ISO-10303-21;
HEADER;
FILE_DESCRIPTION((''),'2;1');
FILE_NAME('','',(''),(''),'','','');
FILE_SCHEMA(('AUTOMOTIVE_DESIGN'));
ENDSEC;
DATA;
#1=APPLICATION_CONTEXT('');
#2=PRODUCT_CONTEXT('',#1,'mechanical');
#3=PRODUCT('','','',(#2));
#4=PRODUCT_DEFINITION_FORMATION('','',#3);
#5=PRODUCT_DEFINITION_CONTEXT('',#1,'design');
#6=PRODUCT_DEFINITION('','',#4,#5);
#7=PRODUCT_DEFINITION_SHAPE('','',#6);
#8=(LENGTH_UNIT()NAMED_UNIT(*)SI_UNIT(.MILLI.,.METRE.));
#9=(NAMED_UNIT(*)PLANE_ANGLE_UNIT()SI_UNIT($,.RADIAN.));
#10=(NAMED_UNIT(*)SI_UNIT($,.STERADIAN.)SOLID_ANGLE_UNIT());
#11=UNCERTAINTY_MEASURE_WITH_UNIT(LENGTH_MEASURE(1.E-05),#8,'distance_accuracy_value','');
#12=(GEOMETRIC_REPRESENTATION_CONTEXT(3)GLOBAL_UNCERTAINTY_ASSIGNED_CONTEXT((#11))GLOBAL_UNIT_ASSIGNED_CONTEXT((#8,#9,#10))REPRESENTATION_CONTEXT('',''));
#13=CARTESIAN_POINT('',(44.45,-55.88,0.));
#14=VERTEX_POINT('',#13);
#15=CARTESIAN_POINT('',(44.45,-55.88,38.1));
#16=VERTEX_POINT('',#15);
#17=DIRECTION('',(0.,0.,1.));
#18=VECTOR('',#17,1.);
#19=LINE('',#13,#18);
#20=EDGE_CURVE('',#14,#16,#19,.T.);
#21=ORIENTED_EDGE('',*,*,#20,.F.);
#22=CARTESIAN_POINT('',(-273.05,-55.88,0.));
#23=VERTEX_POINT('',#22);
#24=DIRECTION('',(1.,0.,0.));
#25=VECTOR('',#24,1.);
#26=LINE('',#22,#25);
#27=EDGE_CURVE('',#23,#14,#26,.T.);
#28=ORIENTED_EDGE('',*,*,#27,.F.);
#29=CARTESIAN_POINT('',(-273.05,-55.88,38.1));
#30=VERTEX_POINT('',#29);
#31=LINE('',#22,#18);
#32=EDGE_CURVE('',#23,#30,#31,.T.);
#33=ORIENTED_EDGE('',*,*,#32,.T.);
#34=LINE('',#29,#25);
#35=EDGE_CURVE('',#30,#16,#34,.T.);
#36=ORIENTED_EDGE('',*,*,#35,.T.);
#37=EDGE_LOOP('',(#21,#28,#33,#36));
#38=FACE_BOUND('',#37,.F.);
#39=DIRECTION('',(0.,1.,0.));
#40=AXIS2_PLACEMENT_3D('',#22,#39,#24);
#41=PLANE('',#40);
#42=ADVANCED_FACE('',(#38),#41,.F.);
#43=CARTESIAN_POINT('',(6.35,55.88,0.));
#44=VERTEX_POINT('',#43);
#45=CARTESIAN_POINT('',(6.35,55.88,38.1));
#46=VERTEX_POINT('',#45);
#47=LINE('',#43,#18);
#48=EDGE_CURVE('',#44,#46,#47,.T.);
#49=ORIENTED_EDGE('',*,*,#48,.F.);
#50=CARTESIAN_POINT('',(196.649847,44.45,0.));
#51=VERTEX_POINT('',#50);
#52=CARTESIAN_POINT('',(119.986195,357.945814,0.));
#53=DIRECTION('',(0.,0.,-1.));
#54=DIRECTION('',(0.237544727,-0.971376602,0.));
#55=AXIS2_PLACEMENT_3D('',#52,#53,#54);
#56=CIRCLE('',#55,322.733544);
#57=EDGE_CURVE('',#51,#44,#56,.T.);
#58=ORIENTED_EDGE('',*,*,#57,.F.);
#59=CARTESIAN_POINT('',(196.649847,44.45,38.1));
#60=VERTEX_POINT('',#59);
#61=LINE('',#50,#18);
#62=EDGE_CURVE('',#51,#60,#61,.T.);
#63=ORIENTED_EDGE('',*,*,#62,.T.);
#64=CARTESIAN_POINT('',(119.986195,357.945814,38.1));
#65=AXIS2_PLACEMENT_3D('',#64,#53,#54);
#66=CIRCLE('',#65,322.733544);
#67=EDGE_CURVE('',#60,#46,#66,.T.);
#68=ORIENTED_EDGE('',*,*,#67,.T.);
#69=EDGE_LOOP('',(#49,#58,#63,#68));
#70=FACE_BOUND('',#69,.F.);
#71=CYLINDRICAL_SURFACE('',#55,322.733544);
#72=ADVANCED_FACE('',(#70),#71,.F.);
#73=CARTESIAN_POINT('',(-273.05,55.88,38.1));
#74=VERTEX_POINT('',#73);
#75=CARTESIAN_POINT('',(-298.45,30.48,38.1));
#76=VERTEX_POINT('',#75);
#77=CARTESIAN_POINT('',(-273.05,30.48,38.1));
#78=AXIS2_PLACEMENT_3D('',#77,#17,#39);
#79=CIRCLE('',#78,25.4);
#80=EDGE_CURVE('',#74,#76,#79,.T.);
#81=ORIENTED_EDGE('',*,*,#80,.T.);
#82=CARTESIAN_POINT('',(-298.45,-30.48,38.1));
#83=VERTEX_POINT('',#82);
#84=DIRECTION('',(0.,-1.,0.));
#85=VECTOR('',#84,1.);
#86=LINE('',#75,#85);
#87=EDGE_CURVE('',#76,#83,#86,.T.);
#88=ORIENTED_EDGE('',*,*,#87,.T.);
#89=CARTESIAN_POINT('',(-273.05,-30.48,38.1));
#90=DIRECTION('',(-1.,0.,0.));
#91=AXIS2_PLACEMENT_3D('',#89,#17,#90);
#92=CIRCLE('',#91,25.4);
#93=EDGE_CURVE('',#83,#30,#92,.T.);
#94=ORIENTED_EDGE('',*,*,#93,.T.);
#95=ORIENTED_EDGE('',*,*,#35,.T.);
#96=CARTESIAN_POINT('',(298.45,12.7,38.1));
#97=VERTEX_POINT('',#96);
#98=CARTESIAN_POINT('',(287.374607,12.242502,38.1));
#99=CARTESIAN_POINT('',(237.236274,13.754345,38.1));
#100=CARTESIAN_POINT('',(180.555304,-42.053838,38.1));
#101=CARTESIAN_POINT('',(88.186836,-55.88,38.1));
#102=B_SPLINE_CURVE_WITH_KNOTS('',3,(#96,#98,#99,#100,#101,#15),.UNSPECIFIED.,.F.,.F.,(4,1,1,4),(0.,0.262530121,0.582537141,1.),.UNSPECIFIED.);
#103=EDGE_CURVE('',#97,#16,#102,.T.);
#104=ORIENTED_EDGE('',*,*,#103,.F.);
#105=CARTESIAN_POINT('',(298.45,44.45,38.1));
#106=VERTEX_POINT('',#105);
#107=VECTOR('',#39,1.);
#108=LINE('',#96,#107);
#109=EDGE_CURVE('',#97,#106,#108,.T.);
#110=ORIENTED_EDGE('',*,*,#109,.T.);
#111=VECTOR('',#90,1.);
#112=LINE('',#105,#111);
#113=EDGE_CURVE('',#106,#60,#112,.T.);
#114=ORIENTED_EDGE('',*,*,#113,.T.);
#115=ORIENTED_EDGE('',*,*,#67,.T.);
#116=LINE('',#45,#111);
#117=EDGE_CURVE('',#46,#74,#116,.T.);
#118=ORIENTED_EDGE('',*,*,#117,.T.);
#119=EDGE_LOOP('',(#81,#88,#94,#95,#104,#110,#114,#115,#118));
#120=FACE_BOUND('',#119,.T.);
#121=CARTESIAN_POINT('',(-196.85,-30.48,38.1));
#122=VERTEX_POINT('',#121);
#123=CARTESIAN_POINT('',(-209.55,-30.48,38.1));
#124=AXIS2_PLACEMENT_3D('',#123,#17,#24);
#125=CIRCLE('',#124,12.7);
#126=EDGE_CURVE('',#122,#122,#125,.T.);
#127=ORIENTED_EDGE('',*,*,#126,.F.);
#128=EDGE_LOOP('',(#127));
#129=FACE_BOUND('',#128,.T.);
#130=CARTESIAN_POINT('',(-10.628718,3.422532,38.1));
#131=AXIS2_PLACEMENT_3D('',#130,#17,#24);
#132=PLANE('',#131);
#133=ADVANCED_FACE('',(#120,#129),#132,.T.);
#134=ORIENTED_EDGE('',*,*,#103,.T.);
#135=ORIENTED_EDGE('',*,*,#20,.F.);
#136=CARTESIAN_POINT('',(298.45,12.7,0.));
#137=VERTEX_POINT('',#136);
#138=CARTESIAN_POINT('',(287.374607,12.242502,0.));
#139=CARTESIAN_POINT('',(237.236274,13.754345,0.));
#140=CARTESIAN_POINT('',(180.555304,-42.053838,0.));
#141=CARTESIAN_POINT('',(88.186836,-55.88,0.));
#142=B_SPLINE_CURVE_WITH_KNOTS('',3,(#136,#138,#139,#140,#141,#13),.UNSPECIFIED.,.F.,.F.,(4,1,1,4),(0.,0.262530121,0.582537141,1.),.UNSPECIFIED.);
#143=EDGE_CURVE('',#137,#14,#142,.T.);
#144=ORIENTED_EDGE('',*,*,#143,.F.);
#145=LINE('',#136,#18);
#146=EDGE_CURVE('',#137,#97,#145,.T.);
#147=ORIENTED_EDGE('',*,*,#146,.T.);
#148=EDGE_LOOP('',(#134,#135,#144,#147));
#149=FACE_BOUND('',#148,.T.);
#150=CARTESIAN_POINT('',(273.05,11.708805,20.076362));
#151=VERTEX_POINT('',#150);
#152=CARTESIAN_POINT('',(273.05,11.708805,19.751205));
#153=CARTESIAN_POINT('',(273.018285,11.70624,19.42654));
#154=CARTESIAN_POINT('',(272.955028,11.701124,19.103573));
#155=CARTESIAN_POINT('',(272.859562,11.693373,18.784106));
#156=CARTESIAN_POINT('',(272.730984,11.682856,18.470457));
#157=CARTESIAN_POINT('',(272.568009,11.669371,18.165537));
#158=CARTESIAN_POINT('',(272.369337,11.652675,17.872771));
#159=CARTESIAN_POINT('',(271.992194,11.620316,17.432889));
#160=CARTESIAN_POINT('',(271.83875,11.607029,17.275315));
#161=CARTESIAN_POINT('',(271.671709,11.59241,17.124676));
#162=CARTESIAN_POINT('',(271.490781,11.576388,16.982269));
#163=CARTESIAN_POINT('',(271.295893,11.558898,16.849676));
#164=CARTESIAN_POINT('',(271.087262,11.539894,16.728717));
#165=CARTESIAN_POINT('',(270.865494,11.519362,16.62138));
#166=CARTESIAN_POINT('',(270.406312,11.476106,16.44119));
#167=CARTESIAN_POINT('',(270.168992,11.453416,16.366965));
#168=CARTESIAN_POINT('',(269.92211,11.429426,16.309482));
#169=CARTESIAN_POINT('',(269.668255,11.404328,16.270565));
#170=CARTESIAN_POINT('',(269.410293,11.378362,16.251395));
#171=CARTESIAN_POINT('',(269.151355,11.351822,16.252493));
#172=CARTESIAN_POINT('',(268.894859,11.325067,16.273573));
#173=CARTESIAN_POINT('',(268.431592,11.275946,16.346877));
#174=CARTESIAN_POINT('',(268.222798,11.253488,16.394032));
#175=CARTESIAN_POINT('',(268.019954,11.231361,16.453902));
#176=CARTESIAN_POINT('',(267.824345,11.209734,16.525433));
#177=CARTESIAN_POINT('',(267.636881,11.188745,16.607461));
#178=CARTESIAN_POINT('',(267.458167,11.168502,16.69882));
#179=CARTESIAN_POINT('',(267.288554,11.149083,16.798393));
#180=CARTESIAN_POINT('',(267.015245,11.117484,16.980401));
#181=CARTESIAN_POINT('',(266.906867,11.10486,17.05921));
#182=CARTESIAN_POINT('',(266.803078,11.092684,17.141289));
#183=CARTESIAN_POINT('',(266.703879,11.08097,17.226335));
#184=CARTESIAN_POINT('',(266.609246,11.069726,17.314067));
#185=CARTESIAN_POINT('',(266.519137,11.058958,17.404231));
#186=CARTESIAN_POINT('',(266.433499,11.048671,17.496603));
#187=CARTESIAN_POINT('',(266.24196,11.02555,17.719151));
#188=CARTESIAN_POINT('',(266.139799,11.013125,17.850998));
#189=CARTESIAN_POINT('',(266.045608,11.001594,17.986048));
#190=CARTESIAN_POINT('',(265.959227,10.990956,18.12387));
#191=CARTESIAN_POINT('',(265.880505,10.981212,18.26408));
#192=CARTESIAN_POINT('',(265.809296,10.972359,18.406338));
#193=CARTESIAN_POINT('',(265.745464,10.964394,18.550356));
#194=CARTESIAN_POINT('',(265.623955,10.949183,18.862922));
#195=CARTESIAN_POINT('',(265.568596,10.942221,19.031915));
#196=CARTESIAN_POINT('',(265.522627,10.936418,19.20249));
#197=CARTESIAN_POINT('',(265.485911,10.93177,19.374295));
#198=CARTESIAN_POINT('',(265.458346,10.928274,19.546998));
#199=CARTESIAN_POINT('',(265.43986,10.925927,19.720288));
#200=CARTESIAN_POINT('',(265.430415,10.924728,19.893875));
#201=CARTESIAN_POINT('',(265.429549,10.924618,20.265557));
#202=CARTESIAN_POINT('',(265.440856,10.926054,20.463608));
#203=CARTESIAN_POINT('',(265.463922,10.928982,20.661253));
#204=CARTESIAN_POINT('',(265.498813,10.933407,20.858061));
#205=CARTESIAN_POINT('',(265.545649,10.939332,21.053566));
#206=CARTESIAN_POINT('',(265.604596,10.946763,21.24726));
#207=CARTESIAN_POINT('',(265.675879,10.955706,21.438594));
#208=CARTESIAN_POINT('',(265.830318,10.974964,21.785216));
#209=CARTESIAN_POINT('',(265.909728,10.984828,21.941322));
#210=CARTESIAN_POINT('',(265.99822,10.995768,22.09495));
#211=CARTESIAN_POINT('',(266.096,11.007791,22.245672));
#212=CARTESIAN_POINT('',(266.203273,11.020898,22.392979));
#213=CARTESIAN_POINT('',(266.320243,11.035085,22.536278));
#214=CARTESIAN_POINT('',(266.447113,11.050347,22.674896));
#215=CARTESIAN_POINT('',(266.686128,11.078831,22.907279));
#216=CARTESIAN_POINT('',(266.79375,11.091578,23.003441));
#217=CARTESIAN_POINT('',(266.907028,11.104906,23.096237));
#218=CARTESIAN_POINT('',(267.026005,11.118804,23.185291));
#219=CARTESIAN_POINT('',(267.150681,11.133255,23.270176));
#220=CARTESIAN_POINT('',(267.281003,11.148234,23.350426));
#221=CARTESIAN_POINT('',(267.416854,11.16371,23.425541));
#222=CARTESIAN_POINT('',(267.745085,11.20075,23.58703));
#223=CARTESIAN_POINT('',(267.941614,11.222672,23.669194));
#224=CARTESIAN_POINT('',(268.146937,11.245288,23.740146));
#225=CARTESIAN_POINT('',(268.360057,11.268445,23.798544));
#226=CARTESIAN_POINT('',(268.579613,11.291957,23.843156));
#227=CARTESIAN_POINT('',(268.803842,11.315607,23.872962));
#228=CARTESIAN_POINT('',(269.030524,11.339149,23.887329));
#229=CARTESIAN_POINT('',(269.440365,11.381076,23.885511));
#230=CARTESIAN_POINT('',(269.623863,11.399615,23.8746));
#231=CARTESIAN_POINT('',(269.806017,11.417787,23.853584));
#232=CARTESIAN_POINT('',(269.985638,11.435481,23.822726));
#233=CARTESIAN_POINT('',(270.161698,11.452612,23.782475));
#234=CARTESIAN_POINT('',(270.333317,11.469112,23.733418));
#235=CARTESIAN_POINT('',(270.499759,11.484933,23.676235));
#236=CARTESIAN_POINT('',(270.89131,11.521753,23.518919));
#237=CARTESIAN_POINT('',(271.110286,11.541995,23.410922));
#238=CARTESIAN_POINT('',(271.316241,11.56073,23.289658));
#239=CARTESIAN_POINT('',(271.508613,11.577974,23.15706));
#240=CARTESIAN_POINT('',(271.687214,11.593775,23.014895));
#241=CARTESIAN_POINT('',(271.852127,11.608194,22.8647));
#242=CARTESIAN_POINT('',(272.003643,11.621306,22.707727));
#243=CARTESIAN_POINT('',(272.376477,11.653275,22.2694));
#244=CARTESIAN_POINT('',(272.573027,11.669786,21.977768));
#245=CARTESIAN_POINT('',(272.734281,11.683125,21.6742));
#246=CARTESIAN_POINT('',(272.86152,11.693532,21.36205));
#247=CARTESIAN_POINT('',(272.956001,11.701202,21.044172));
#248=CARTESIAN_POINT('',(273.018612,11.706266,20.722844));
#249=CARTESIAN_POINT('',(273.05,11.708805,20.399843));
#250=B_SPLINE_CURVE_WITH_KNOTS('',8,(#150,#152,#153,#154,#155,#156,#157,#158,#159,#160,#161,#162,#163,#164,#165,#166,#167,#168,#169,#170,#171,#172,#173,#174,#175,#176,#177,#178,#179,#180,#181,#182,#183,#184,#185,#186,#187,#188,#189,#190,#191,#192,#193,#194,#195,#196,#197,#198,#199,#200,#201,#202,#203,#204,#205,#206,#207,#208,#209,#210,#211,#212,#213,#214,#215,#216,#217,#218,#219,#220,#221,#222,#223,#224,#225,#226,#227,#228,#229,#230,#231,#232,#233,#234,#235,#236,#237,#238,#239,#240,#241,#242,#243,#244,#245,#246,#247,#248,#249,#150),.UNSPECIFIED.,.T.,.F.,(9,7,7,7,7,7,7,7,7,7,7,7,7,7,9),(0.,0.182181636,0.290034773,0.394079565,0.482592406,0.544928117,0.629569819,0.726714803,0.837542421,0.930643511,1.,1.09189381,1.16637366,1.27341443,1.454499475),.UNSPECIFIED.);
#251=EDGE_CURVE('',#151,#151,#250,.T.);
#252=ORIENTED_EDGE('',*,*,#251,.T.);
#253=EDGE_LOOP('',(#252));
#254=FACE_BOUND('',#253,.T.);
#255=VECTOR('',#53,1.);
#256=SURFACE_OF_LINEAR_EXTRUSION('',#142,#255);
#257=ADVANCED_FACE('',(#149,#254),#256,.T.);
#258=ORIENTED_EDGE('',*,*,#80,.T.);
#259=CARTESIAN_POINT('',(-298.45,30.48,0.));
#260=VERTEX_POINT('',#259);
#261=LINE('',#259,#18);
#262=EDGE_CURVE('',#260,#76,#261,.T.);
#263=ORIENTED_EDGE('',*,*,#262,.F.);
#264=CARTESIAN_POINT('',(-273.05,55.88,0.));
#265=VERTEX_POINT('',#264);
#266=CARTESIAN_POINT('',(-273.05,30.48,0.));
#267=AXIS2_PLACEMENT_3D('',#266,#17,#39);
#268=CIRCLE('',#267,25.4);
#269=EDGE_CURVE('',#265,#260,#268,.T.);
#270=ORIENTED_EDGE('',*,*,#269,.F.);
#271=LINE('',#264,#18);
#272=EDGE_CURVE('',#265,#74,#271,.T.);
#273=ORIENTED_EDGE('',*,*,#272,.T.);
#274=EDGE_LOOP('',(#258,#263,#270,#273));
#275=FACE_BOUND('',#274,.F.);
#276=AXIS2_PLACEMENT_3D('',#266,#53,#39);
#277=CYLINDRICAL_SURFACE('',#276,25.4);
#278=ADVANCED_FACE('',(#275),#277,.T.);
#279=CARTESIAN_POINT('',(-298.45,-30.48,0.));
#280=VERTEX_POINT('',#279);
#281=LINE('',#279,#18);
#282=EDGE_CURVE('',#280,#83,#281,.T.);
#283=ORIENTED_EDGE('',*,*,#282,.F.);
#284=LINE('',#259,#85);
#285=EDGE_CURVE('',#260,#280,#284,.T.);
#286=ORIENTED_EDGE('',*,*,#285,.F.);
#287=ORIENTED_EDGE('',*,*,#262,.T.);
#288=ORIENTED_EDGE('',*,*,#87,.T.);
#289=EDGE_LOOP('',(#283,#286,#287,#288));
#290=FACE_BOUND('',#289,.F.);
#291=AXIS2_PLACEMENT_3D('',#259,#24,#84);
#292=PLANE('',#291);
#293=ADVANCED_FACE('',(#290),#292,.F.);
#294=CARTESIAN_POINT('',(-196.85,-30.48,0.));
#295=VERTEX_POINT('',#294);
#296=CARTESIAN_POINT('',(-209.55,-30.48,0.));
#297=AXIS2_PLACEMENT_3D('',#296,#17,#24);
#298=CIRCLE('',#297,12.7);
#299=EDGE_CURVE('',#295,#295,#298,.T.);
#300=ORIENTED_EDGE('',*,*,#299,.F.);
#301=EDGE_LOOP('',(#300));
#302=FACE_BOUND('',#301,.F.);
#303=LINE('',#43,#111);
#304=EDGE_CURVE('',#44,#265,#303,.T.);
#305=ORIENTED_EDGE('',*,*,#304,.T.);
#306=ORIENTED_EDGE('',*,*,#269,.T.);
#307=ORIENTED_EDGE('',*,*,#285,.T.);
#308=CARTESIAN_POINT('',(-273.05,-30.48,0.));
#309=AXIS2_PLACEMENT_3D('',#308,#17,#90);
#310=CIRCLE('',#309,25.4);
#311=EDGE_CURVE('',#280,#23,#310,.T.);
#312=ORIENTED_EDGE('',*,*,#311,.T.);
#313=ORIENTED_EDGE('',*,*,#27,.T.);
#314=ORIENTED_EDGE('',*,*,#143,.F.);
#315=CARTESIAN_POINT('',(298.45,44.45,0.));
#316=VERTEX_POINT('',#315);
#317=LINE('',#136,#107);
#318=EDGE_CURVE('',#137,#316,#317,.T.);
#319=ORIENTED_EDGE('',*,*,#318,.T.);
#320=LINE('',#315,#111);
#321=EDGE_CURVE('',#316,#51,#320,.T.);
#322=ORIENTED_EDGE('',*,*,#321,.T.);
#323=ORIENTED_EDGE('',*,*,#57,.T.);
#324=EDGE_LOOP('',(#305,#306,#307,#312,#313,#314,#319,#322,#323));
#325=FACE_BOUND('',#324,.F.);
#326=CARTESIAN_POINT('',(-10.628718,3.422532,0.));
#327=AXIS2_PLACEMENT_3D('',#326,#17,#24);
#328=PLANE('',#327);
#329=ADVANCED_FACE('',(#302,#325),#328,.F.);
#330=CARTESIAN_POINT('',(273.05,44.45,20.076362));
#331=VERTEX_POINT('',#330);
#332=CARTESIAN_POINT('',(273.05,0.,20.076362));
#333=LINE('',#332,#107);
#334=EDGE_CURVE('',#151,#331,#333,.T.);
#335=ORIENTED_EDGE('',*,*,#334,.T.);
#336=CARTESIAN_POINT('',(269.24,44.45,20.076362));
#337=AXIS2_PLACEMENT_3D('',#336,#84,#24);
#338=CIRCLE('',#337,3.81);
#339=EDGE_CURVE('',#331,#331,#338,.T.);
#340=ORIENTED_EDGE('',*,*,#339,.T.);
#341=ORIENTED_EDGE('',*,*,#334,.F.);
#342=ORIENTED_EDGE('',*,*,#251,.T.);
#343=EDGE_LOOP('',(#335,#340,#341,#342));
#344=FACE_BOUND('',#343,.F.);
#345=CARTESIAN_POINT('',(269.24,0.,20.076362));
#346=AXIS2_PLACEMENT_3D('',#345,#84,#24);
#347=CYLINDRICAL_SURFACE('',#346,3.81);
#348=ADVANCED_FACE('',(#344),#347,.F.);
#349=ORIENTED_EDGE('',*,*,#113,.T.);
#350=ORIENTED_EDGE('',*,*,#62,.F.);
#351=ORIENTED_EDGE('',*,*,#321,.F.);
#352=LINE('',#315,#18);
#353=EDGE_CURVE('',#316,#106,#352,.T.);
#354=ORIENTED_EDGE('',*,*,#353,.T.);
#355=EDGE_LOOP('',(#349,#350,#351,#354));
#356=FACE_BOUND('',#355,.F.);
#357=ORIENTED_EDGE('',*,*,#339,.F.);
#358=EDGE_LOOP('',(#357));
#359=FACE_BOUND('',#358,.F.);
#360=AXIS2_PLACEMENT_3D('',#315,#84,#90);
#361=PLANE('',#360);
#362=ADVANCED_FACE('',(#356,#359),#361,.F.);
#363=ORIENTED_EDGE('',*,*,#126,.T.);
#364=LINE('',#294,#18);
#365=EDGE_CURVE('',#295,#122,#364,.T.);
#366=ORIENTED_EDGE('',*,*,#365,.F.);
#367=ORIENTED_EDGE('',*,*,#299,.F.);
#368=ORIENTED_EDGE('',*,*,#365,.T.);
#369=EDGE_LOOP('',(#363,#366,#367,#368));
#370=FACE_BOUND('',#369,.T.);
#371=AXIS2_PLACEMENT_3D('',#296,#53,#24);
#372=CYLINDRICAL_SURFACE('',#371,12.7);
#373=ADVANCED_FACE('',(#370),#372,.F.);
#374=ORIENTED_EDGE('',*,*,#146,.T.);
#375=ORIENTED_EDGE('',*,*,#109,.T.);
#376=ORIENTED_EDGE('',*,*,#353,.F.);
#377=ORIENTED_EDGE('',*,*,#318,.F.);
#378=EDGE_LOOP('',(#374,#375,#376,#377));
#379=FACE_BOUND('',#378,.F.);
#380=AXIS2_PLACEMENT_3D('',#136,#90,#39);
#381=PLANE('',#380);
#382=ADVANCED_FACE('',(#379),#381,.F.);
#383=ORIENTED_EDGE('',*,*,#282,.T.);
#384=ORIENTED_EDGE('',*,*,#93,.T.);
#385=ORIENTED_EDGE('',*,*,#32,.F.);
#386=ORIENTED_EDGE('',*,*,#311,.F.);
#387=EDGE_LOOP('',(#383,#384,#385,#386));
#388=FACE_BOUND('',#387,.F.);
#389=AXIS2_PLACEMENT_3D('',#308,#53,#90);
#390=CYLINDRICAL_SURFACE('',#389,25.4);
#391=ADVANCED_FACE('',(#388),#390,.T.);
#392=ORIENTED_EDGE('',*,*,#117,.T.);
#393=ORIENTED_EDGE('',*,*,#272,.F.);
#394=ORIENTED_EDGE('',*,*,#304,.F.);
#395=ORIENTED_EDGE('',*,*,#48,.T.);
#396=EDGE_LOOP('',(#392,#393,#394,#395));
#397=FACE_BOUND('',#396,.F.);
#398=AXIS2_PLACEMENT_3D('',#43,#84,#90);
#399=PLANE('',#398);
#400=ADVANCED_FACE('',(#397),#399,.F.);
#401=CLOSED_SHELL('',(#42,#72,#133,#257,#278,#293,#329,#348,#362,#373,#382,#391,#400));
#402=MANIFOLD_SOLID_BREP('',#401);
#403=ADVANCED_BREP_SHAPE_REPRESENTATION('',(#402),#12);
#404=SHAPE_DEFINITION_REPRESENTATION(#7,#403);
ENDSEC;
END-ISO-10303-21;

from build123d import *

# Parameters (mm, degrees)
F0_R     = 12.7
F1_DEPTH = 38.1
F2_DEPTH = 38.1
F3_R     = 3.81
F4_DEPTH = 44.45


with BuildPart() as f1:
    # F0 (on Top) → F1 (new body)
    with BuildSketch(Plane.XY):
        with BuildLine():
            ThreePointArc((-298.45, -30.48), (-291.0105122421, -48.4405122421), (-273.05, -55.88))
            Line((-273.05, -55.88), (44.45, -55.88))
            add(Edge.make_bspline(
                [(298.45, 12.7), (287.3746065868, 12.2425019897), (237.2362744318, 13.75434495), (180.5553043181, -42.0538384419), (88.1868358472, -55.88), (44.45, -55.88)],
                knots=[0, 0, 0, 0, 0.2625301209, 0.5825371407, 1, 1, 1, 1], degree=3))
            Line((298.45, 12.7), (298.45, 44.45))
            Line((298.45, 44.45), (196.6498470859, 44.45))
            ThreePointArc((196.6498470859, 44.45), (100.6366870799, 35.7928419142), (6.35, 55.88))
            Line((6.35, 55.88), (-273.05, 55.88))
            ThreePointArc((-273.05, 55.88), (-291.0105122421, 48.4405122421), (-298.45, 30.48))
            Line((-298.45, 30.48), (-298.45, -30.48))
        make_face()
        with Locations((-209.55, -30.48)):
            Circle(F0_R, mode=Mode.SUBTRACT)
    extrude(amount=F1_DEPTH)

    # F0 (on Top) → F2 (cut)
    with BuildSketch(Plane.XY):
        with Locations((-209.55, -30.48)):
            Circle(F0_R)
    extrude(amount=F2_DEPTH, mode=Mode.SUBTRACT)

    # F3 (on Front) → F4 (cut)
    with BuildSketch(Plane.XZ):
        with Locations((269.24, 20.0763624161)):
            Circle(F3_R)
    extrude(amount=-F4_DEPTH, mode=Mode.SUBTRACT)


solid = f1.part
